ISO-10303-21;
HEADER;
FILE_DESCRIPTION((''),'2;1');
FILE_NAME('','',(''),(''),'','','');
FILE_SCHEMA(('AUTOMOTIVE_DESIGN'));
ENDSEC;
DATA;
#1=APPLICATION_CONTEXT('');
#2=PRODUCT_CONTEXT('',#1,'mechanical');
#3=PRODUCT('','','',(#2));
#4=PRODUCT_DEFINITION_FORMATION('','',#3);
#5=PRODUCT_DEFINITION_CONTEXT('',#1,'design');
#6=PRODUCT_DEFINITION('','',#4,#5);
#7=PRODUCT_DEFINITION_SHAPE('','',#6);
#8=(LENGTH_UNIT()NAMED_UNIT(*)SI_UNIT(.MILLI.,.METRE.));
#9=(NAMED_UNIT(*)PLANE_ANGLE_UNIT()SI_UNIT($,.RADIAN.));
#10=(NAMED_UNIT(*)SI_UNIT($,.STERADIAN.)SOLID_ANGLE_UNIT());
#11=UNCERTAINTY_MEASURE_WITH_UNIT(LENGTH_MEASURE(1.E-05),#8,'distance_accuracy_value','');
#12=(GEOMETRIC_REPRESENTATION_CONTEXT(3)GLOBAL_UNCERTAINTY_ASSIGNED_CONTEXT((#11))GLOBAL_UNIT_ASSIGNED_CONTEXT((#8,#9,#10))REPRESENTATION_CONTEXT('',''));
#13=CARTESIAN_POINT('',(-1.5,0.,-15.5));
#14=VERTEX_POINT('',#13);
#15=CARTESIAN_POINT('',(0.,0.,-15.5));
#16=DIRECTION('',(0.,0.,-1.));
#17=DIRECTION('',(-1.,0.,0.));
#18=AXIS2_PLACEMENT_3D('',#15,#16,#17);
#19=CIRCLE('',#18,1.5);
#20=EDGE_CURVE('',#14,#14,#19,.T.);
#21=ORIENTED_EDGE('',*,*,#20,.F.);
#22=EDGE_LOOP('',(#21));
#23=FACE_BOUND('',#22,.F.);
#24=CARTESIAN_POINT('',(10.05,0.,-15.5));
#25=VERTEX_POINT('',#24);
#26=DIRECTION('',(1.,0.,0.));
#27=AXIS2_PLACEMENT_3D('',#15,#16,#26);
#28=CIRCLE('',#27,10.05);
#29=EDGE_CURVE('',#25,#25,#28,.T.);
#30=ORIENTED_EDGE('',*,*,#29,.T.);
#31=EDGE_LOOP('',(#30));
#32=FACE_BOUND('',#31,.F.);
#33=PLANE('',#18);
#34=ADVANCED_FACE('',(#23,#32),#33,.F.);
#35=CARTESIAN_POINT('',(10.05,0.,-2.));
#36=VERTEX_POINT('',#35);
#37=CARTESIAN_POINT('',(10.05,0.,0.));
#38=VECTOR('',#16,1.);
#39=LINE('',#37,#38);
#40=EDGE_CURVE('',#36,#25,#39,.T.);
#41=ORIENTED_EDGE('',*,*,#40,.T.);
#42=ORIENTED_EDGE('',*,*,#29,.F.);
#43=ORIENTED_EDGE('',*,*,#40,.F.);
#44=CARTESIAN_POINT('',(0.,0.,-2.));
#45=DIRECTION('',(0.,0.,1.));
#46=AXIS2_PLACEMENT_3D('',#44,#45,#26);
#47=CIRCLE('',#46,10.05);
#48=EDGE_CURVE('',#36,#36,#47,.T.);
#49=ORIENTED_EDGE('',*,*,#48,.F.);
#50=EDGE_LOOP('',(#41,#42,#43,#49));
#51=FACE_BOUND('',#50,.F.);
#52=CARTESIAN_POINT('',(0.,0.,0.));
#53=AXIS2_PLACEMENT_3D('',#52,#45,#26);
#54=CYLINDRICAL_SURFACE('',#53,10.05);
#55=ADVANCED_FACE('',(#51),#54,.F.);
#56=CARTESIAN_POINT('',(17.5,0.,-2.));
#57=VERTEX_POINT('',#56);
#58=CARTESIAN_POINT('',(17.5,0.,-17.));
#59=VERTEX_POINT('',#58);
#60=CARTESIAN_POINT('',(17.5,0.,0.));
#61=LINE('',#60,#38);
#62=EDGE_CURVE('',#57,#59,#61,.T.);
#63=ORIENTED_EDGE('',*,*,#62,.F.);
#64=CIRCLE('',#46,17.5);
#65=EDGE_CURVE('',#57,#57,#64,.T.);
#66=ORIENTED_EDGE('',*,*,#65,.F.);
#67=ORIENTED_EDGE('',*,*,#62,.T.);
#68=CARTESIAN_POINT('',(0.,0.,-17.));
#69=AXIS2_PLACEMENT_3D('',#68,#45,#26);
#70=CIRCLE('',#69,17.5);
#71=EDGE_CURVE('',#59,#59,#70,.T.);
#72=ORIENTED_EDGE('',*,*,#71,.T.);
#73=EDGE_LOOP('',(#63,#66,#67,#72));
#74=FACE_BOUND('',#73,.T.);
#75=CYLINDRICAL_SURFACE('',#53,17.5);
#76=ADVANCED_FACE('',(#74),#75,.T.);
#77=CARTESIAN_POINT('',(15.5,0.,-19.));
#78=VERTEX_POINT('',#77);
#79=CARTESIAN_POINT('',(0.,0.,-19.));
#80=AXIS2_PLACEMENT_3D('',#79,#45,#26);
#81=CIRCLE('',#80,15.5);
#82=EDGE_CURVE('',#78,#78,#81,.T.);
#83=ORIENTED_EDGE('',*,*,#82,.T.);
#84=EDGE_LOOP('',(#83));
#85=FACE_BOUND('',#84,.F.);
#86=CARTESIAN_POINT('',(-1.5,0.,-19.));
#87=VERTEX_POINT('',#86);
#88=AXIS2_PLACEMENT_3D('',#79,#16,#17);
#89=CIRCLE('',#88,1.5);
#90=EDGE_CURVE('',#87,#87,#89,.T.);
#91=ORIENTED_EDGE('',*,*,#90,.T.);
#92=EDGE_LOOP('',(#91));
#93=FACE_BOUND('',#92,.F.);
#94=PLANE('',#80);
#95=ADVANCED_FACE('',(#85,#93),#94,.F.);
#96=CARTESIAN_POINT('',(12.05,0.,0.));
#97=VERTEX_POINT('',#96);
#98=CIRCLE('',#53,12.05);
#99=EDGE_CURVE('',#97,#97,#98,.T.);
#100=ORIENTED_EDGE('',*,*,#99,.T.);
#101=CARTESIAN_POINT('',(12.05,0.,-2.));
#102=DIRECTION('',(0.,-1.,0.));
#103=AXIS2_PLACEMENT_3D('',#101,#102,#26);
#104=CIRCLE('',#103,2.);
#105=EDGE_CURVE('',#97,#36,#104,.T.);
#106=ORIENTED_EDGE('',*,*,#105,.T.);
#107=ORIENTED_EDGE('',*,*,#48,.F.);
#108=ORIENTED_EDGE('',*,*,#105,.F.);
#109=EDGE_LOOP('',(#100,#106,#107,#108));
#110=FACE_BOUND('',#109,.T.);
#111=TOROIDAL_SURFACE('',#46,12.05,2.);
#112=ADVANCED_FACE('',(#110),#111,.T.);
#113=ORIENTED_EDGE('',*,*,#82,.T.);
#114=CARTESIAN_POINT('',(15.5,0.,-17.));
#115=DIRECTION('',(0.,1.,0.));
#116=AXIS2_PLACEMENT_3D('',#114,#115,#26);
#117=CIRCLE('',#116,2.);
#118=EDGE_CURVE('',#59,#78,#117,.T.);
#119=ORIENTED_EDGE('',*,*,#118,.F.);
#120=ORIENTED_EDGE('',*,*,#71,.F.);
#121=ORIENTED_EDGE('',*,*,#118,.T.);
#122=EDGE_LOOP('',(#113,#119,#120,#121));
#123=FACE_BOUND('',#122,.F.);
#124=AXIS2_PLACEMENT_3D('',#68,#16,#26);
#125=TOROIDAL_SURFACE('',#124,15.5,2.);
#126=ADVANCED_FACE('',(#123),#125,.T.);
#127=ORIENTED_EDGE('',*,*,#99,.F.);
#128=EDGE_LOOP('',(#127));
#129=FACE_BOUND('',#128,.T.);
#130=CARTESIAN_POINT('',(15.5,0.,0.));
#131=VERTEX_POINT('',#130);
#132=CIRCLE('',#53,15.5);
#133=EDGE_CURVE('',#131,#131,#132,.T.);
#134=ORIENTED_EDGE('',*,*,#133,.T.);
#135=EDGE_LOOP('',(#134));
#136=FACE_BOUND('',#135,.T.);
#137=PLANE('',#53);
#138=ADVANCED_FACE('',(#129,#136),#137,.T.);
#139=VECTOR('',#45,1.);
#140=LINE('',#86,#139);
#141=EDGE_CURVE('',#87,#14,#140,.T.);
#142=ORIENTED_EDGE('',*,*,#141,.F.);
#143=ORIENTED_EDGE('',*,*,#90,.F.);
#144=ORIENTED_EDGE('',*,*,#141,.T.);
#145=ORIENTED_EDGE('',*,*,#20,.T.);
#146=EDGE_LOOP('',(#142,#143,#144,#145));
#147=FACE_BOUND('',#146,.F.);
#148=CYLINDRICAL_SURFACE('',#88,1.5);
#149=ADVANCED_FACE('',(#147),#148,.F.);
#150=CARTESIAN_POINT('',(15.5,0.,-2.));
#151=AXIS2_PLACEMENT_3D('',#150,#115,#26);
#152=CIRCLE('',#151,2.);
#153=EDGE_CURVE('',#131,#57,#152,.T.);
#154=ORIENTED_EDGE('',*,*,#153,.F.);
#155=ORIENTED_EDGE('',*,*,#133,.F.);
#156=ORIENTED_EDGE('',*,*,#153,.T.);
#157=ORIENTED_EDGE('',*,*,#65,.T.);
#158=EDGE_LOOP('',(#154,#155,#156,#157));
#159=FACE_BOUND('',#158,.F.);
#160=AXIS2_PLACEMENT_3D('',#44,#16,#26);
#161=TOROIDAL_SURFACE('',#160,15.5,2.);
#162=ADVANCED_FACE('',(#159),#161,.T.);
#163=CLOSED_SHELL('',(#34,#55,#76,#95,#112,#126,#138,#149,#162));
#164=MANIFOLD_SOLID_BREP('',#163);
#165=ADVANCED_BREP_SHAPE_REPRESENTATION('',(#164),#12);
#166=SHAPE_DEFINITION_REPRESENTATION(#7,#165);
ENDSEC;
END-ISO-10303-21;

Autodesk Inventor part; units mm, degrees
ref_plane "YZ Plane" through (0, 0, 0) normal (1, 0, 0) x (0, 1, 0)
ref_plane "XZ Plane" through (0, 0, 0) normal (0, 1, 0) x (-1, 0, 0)
ref_plane "XY Plane" through (0, 0, 0) normal (0, 0, 1) x (1, 0, 0)
sketch "Sketch1" plane through (0, 0, 0) normal (0, 0, 1) x (1, 0, 0)
  circle A0 centre (0, 0) radius 10.05
  circle A1 centre (0, 0) radius 17.5
  dimension "d0" = 20.1
  dimension "d2" = 35
extrude "Extrusion1" add sketch "Sketch1" against normal blind 19
sketch "Sketch2" plane through (0, 0, -19) normal (0, 0, -1) x (-1, 0, 0)
  circle A0 centre (0, 0) radius 10.05
  circle A1 centre (0, 0) radius 1.5
  dimension "d7" = 3
extrude "Extrusion2" add sketch "Sketch2" against normal blind 3.5 contours A0 | A1
extrude "Extrusion3" cut sketch "Sketch2" against normal blind 3.5 contours A1
fillet "Fillet1" radius 2 1 edges at (-10.05, 0, 0)
fillet "Fillet2" radius 2 2 edges at (-17.5, 0, 0) (-17.5, 0, -19)
properties part number "rulmanyatagıipt"
